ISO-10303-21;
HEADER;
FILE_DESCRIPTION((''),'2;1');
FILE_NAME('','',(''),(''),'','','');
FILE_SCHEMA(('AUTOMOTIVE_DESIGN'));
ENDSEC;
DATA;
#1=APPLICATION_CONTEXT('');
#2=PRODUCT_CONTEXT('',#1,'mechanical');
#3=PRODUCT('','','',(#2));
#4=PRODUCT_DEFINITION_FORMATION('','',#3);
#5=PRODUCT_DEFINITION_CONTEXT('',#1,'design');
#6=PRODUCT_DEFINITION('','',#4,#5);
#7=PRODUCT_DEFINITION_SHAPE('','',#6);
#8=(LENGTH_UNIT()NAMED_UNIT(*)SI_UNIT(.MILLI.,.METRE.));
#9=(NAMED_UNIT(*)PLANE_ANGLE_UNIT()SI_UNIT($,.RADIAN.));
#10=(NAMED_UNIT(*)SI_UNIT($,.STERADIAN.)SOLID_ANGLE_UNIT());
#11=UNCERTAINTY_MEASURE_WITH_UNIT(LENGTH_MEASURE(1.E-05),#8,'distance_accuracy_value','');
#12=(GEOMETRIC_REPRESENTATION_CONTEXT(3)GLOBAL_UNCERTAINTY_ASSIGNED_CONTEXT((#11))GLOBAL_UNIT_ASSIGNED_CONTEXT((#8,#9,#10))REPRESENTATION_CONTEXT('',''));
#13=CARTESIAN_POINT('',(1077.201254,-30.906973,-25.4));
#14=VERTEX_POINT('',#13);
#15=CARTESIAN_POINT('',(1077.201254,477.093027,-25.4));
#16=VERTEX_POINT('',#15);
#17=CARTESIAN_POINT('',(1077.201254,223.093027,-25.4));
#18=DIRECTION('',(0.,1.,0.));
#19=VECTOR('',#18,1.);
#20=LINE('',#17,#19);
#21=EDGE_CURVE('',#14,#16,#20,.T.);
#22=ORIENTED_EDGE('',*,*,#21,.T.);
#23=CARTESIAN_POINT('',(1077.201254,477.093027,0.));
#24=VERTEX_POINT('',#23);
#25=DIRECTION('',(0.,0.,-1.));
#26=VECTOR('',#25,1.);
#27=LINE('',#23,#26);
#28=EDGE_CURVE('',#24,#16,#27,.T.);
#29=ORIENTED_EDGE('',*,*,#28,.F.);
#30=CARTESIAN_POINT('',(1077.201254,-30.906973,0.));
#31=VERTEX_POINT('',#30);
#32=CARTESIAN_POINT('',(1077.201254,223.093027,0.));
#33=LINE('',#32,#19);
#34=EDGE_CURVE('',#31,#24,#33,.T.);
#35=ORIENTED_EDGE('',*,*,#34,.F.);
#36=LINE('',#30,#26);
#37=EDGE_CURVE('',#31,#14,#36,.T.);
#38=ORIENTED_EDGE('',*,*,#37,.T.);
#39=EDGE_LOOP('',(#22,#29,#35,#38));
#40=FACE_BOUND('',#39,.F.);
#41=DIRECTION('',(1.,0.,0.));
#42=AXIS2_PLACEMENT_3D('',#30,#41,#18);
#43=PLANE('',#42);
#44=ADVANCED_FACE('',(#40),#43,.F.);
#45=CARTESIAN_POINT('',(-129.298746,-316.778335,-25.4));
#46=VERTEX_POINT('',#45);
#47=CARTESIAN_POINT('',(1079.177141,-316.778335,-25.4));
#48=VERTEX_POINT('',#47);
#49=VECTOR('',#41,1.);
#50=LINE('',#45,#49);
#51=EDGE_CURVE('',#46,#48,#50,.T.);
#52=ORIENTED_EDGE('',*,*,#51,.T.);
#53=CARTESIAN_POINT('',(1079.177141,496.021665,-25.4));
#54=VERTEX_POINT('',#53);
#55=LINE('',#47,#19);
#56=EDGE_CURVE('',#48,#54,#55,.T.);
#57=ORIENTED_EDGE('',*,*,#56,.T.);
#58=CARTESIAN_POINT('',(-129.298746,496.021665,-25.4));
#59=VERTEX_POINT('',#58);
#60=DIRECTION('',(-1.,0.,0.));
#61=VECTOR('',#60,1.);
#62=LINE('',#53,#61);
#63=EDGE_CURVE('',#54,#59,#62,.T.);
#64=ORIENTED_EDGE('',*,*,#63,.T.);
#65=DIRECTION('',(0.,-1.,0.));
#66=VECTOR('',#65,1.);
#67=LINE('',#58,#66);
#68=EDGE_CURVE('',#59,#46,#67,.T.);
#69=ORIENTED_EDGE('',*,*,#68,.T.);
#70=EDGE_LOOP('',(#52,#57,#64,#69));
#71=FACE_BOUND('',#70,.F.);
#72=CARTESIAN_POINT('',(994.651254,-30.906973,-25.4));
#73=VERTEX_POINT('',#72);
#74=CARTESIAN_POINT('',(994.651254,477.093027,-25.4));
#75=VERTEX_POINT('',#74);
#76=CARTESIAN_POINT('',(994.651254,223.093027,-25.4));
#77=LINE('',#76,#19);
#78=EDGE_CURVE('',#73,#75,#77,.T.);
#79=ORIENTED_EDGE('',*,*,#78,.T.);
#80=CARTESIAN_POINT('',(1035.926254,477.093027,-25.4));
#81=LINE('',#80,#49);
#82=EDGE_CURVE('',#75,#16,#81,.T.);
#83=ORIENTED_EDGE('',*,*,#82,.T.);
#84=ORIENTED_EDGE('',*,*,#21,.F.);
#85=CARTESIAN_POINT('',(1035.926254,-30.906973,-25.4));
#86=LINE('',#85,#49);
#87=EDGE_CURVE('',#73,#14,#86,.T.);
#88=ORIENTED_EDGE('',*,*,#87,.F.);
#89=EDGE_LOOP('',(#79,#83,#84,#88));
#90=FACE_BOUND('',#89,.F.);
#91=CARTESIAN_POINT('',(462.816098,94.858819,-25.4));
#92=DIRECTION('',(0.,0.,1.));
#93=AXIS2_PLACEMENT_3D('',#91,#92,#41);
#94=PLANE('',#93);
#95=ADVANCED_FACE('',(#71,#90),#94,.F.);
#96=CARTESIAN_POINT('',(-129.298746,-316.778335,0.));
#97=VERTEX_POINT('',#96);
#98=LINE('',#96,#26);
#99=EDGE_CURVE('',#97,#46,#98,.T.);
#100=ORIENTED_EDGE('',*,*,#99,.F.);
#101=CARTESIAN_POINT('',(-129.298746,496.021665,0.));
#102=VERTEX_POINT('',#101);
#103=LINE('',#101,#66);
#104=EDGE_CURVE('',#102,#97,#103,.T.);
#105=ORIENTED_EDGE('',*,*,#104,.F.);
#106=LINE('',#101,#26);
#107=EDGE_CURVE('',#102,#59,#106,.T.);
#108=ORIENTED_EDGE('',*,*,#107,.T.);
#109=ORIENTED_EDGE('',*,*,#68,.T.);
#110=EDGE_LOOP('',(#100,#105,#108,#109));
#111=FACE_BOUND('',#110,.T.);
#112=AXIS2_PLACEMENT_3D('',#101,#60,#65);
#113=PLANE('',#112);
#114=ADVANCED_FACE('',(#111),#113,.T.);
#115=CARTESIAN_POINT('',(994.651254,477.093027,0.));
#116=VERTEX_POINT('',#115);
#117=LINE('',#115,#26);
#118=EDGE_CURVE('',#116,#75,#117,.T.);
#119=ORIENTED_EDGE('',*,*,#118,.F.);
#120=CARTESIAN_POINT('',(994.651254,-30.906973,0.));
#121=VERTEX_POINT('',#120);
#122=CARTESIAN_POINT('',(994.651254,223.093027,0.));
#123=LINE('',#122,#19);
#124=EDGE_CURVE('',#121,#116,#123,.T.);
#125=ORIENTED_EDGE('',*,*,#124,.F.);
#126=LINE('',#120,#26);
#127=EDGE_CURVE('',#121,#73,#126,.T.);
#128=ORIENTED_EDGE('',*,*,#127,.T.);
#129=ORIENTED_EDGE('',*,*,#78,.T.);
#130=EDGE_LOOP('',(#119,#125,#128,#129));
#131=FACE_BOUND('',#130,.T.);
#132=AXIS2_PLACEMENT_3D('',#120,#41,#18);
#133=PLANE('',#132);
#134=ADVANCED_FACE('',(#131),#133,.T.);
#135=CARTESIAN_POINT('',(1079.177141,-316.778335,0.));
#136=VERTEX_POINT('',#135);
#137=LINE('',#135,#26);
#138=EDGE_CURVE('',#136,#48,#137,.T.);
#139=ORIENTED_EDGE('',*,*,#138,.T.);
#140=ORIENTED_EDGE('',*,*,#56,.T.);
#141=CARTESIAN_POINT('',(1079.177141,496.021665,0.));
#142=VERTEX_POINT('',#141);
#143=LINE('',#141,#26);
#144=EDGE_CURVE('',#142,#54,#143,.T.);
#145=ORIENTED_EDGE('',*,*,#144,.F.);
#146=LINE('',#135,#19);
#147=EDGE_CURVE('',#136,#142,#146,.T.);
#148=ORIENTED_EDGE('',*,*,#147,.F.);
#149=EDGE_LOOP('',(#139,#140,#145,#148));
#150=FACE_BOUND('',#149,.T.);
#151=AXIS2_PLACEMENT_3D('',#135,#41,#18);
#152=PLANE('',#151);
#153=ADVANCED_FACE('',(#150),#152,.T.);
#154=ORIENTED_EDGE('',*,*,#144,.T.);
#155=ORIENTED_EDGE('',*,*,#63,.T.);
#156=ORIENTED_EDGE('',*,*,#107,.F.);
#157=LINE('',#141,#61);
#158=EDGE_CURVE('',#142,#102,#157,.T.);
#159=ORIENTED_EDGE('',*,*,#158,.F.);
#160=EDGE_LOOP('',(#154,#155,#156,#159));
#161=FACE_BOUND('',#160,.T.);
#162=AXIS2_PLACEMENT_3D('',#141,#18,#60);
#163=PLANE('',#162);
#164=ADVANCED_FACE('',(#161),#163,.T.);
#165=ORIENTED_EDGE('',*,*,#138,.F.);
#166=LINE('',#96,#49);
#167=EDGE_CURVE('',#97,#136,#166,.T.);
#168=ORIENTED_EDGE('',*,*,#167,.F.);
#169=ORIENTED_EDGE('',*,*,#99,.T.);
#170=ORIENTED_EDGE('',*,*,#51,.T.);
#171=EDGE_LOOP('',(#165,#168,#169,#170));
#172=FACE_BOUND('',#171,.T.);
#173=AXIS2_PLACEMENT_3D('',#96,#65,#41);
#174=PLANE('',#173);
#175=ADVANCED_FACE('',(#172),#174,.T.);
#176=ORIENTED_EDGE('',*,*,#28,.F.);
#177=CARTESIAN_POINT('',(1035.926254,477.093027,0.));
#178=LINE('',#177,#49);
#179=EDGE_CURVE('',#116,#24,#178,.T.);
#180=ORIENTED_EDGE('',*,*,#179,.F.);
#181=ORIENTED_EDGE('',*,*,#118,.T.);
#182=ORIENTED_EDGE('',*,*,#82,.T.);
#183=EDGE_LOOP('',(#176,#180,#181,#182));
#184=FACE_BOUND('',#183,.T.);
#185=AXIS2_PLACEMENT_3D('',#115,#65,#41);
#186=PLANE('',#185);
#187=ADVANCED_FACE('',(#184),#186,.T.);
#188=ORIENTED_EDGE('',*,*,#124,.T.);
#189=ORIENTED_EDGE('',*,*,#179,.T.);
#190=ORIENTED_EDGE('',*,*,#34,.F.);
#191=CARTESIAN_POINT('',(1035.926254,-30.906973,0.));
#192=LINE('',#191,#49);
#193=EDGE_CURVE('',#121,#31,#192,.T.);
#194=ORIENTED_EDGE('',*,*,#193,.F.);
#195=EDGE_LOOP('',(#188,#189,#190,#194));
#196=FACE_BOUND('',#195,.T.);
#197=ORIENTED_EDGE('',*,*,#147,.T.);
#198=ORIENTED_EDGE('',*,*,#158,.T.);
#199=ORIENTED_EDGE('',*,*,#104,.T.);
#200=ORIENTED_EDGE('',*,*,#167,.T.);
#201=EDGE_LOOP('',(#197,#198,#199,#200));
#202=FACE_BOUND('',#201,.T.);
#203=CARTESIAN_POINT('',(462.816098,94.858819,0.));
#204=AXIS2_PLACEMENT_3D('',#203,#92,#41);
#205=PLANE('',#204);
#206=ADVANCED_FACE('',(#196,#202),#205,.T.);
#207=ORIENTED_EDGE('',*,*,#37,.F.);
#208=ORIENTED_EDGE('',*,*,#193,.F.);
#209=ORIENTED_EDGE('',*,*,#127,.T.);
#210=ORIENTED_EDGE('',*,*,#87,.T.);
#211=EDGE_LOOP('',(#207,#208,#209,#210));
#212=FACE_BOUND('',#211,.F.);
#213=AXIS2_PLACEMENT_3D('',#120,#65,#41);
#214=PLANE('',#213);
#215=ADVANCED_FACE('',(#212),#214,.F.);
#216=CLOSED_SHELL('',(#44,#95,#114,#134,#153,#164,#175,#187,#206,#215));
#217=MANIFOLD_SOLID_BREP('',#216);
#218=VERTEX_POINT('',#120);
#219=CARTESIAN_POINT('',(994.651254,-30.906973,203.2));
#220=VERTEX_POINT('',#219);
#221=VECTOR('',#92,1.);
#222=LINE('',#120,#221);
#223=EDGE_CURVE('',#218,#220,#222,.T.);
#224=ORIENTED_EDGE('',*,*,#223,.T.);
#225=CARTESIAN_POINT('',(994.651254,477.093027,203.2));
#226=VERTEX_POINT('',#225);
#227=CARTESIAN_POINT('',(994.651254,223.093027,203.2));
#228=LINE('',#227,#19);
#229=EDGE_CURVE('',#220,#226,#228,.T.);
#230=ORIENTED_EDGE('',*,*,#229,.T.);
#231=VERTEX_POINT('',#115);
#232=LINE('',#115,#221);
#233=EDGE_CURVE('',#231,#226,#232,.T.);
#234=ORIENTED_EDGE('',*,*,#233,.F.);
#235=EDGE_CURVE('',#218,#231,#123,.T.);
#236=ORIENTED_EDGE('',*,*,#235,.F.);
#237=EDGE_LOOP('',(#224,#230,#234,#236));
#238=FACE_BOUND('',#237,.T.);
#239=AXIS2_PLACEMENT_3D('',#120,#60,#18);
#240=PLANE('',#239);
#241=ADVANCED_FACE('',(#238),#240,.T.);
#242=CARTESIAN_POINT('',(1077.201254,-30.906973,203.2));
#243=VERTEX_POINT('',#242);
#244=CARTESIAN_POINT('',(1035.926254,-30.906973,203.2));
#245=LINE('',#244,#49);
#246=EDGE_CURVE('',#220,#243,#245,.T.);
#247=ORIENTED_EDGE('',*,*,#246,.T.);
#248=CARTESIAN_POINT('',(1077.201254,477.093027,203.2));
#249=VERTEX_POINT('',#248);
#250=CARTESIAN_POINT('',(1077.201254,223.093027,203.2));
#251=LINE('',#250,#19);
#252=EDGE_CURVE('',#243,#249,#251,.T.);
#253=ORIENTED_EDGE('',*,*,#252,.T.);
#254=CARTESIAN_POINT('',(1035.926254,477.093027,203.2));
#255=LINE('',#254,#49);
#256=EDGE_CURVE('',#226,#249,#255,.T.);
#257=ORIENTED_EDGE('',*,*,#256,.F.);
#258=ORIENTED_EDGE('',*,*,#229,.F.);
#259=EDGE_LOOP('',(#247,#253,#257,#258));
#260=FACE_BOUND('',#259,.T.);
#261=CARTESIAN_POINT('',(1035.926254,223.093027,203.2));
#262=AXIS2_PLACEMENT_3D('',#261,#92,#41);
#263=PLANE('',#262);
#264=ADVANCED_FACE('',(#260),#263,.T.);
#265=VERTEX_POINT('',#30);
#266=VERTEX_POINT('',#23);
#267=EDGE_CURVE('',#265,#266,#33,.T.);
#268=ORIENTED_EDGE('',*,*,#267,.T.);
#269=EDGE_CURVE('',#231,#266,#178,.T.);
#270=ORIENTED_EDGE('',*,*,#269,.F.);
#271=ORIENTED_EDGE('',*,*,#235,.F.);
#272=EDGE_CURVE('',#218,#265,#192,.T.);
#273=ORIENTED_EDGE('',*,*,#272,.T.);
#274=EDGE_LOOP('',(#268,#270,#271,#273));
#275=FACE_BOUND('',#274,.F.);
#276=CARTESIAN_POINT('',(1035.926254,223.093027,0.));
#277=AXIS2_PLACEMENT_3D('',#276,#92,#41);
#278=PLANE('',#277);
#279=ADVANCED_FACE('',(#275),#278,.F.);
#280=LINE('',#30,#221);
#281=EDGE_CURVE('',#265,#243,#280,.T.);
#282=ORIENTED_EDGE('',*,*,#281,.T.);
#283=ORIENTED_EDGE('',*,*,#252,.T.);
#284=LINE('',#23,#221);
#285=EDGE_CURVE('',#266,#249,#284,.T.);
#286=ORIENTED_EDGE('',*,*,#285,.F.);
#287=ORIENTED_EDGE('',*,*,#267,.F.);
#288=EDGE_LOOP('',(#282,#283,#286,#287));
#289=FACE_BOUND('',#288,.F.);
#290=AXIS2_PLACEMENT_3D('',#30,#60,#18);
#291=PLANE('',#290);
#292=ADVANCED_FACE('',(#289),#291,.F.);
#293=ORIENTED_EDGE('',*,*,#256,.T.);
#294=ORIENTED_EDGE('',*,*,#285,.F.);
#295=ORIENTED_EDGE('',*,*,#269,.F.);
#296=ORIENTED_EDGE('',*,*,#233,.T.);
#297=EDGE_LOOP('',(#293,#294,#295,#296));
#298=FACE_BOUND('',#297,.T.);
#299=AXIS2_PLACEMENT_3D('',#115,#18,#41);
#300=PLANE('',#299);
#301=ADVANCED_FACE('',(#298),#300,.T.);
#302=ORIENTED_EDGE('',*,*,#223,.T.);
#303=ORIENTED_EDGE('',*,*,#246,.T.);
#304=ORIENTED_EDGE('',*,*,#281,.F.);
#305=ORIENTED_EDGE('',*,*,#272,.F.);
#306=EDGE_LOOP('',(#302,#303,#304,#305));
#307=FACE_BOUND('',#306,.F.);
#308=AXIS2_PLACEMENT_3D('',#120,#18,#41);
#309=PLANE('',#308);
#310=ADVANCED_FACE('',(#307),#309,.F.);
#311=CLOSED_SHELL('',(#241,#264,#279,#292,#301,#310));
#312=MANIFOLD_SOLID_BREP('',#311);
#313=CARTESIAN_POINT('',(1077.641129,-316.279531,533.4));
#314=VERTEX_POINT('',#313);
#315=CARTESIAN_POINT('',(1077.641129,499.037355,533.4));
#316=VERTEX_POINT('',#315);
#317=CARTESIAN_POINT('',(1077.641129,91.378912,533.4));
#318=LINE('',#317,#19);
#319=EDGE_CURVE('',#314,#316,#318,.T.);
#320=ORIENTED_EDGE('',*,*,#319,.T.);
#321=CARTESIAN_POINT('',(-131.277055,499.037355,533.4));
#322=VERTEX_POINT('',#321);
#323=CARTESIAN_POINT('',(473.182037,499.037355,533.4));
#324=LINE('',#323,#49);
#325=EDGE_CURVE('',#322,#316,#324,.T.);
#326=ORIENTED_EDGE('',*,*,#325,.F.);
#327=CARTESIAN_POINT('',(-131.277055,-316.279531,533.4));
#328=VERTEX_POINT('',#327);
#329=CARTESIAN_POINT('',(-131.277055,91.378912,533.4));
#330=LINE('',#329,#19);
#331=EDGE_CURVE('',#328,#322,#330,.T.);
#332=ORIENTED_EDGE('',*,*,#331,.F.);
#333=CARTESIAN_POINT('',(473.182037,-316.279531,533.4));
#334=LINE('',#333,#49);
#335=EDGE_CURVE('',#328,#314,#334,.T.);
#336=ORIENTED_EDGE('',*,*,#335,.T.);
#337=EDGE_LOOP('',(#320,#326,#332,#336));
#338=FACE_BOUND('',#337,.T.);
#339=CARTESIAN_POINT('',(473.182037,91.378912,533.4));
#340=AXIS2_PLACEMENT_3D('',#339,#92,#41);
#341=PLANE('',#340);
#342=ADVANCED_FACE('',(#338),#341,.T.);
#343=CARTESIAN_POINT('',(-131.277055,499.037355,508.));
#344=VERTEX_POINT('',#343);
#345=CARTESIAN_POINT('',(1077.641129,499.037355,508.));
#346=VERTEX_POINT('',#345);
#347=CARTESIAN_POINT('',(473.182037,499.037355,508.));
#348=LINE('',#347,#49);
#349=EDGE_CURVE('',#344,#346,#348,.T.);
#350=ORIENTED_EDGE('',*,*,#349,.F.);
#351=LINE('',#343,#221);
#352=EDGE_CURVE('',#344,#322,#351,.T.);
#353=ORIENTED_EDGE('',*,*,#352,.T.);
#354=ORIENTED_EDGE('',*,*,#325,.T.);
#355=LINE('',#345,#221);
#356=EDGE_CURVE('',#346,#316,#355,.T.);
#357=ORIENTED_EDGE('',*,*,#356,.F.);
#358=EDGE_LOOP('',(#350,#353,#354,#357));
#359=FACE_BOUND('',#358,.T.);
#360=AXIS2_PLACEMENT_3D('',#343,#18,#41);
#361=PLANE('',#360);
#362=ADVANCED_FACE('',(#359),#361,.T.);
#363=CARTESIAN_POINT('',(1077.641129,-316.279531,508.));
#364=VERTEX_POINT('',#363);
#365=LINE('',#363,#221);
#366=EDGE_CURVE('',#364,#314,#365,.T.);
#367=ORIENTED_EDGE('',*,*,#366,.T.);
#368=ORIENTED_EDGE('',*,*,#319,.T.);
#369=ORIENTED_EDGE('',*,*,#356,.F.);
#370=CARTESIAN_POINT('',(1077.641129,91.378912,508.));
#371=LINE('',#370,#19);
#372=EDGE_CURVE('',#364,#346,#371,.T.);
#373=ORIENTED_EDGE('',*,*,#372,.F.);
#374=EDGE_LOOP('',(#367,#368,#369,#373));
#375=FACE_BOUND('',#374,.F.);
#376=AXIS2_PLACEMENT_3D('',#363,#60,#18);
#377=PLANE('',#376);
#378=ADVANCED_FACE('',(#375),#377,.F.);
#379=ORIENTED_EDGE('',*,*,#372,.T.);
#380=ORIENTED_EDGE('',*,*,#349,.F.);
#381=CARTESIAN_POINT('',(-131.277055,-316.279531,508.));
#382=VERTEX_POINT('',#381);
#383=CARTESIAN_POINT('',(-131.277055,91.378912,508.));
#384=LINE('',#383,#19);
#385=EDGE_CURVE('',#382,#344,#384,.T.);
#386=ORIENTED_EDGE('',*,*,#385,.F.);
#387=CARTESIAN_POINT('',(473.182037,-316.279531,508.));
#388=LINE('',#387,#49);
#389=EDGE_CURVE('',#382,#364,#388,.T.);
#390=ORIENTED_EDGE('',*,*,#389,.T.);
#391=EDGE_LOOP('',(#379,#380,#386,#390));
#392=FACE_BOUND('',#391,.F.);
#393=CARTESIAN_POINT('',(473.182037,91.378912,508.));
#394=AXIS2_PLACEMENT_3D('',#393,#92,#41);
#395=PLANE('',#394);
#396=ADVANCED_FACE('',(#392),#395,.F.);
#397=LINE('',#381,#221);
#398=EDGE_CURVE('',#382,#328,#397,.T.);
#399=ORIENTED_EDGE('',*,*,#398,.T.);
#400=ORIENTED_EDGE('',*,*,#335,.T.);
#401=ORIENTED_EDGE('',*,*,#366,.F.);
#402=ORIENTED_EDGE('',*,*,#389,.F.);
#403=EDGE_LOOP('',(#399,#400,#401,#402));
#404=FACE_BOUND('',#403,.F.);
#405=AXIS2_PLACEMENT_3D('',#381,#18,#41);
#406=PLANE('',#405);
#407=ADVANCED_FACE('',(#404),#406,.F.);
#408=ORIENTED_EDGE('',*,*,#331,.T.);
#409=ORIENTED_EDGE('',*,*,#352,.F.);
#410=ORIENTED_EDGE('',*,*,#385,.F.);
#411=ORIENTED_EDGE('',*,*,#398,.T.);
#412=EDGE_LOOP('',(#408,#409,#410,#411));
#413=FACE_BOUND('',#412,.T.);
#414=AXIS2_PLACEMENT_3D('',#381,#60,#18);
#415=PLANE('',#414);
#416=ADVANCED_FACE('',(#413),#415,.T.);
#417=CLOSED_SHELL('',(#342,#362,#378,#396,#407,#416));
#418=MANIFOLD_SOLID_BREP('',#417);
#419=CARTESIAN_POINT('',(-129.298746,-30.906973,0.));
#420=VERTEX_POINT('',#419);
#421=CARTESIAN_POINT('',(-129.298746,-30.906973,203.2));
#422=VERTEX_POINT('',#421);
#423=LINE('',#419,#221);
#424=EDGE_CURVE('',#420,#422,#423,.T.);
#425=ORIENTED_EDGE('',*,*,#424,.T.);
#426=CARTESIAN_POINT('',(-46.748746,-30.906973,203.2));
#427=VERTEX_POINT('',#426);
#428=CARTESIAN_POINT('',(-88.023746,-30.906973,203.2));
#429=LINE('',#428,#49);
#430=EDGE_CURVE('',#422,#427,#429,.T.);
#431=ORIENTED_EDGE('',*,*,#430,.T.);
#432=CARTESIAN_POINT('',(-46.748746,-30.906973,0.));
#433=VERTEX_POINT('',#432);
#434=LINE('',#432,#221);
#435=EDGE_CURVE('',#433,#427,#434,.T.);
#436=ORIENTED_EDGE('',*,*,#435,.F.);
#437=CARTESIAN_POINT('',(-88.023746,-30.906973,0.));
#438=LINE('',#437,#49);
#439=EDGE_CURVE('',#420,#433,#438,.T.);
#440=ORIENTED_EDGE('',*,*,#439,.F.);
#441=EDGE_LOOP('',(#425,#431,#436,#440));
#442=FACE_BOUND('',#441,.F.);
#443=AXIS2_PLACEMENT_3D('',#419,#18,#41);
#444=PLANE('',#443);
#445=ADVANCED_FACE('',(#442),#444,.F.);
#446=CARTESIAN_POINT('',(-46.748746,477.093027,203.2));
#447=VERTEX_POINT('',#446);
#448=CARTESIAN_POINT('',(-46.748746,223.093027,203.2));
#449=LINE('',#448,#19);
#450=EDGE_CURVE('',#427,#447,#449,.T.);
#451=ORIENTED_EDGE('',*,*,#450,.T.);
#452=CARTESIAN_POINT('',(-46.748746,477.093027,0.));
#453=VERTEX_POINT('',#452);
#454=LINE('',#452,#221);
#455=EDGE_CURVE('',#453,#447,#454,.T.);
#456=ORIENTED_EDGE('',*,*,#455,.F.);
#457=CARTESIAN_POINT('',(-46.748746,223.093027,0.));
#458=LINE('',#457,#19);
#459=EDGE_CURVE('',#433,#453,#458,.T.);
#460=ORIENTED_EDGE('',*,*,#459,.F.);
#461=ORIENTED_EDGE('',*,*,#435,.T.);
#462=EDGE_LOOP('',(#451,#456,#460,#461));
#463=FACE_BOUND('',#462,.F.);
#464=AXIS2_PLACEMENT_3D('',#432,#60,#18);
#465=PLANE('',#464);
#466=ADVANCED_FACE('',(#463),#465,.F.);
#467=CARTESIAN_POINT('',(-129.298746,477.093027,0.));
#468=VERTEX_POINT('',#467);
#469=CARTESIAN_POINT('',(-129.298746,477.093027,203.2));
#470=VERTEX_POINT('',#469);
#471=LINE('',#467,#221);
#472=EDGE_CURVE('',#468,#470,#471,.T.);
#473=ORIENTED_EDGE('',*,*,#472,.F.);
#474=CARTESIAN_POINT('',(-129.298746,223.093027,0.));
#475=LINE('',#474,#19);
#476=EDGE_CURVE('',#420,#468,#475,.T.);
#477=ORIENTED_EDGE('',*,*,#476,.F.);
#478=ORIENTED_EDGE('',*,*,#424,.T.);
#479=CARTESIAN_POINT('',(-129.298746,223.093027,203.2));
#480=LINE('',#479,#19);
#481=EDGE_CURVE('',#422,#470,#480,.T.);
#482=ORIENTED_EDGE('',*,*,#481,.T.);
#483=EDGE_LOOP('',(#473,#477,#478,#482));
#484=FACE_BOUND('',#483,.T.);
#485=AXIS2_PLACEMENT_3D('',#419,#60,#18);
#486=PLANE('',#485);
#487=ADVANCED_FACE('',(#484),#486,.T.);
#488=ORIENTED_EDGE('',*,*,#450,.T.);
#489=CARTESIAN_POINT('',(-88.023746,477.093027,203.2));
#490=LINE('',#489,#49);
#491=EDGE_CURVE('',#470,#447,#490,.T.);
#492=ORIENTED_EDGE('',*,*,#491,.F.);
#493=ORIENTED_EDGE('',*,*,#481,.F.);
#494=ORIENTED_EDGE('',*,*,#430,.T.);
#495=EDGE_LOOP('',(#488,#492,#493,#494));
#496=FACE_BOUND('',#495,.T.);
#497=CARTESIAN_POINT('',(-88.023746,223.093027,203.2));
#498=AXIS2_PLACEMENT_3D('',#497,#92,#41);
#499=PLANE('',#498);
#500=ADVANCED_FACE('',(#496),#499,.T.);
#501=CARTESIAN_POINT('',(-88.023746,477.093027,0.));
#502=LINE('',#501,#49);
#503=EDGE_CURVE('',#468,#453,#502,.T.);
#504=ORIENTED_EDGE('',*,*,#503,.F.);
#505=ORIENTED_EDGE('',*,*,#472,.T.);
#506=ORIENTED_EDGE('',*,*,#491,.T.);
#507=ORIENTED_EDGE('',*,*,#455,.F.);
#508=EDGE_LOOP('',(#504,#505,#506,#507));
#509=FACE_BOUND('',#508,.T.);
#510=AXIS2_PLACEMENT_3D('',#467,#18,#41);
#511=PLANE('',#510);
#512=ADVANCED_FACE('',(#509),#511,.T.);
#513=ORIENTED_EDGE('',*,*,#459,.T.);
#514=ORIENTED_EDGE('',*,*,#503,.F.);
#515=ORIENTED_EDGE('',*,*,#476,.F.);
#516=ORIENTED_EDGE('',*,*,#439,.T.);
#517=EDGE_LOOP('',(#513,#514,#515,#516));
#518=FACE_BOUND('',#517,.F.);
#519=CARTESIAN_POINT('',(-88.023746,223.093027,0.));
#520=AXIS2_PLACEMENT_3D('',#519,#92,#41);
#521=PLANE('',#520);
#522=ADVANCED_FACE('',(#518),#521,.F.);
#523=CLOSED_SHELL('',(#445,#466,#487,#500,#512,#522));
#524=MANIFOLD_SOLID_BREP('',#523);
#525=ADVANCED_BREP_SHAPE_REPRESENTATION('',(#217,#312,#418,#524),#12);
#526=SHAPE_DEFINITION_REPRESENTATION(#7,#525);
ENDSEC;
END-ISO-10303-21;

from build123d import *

# Parameters (mm, degrees)
F0_W     = 82.55
F0_H     = 508
F1_DEPTH = 203.2
F2_DEPTH = 25.4
F4_W     = 1208.918184042
F4_H     = 815.3168857098
F5_DEPTH = 25.4


with BuildPart() as f1:
    # F0 (on Top) → F1 (new body)
    with BuildSketch(Plane.XY):
        with Locations((-88.0237461865, 223.0930265933)):
            Rectangle(F0_W, F0_H)
    extrude(amount=F1_DEPTH)


with BuildPart() as f1b:
    # F0 (on Top) → F1, piece 2 (new body)
    with BuildSketch(Plane.XY):
        with Locations((1035.9262538135, 223.0930265933)):
            Rectangle(F0_W, F0_H)
    extrude(amount=F1_DEPTH)


with BuildPart() as f2:
    # F0 (on Top) → F2 (new body)
    with BuildSketch(Plane.XY):
        Polygon((-129.2987461865, 496.0216650993), (-129.2987461865, 477.0930265933), (-46.7487461865, 477.0930265933), (-46.7487461865, -30.9069734067), (-129.2987461865, -30.9069734067), (-129.2987461865, -316.7783349007), (1079.1771411896, -316.7783349007), (1079.1771411896, 496.0216650993), align=None)
        with Locations((1035.9262538135, 223.0930265933)):
            Rectangle(F0_W, F0_H, mode=Mode.SUBTRACT)
        with Locations((-88.0237461865, 223.0930265933)):
            Rectangle(F0_W, F0_H)
    extrude(amount=-F2_DEPTH)


with BuildPart() as f5:
    # F4 (on offset) → F5 (new body)
    with BuildSketch(Plane.XY.offset(508)):
        with Locations((473.1820374727, 91.3789123297)):
            Rectangle(F4_W, F4_H)
    extrude(amount=F5_DEPTH)


solid = Compound([f1.part, f1b.part, f2.part, f5.part])
